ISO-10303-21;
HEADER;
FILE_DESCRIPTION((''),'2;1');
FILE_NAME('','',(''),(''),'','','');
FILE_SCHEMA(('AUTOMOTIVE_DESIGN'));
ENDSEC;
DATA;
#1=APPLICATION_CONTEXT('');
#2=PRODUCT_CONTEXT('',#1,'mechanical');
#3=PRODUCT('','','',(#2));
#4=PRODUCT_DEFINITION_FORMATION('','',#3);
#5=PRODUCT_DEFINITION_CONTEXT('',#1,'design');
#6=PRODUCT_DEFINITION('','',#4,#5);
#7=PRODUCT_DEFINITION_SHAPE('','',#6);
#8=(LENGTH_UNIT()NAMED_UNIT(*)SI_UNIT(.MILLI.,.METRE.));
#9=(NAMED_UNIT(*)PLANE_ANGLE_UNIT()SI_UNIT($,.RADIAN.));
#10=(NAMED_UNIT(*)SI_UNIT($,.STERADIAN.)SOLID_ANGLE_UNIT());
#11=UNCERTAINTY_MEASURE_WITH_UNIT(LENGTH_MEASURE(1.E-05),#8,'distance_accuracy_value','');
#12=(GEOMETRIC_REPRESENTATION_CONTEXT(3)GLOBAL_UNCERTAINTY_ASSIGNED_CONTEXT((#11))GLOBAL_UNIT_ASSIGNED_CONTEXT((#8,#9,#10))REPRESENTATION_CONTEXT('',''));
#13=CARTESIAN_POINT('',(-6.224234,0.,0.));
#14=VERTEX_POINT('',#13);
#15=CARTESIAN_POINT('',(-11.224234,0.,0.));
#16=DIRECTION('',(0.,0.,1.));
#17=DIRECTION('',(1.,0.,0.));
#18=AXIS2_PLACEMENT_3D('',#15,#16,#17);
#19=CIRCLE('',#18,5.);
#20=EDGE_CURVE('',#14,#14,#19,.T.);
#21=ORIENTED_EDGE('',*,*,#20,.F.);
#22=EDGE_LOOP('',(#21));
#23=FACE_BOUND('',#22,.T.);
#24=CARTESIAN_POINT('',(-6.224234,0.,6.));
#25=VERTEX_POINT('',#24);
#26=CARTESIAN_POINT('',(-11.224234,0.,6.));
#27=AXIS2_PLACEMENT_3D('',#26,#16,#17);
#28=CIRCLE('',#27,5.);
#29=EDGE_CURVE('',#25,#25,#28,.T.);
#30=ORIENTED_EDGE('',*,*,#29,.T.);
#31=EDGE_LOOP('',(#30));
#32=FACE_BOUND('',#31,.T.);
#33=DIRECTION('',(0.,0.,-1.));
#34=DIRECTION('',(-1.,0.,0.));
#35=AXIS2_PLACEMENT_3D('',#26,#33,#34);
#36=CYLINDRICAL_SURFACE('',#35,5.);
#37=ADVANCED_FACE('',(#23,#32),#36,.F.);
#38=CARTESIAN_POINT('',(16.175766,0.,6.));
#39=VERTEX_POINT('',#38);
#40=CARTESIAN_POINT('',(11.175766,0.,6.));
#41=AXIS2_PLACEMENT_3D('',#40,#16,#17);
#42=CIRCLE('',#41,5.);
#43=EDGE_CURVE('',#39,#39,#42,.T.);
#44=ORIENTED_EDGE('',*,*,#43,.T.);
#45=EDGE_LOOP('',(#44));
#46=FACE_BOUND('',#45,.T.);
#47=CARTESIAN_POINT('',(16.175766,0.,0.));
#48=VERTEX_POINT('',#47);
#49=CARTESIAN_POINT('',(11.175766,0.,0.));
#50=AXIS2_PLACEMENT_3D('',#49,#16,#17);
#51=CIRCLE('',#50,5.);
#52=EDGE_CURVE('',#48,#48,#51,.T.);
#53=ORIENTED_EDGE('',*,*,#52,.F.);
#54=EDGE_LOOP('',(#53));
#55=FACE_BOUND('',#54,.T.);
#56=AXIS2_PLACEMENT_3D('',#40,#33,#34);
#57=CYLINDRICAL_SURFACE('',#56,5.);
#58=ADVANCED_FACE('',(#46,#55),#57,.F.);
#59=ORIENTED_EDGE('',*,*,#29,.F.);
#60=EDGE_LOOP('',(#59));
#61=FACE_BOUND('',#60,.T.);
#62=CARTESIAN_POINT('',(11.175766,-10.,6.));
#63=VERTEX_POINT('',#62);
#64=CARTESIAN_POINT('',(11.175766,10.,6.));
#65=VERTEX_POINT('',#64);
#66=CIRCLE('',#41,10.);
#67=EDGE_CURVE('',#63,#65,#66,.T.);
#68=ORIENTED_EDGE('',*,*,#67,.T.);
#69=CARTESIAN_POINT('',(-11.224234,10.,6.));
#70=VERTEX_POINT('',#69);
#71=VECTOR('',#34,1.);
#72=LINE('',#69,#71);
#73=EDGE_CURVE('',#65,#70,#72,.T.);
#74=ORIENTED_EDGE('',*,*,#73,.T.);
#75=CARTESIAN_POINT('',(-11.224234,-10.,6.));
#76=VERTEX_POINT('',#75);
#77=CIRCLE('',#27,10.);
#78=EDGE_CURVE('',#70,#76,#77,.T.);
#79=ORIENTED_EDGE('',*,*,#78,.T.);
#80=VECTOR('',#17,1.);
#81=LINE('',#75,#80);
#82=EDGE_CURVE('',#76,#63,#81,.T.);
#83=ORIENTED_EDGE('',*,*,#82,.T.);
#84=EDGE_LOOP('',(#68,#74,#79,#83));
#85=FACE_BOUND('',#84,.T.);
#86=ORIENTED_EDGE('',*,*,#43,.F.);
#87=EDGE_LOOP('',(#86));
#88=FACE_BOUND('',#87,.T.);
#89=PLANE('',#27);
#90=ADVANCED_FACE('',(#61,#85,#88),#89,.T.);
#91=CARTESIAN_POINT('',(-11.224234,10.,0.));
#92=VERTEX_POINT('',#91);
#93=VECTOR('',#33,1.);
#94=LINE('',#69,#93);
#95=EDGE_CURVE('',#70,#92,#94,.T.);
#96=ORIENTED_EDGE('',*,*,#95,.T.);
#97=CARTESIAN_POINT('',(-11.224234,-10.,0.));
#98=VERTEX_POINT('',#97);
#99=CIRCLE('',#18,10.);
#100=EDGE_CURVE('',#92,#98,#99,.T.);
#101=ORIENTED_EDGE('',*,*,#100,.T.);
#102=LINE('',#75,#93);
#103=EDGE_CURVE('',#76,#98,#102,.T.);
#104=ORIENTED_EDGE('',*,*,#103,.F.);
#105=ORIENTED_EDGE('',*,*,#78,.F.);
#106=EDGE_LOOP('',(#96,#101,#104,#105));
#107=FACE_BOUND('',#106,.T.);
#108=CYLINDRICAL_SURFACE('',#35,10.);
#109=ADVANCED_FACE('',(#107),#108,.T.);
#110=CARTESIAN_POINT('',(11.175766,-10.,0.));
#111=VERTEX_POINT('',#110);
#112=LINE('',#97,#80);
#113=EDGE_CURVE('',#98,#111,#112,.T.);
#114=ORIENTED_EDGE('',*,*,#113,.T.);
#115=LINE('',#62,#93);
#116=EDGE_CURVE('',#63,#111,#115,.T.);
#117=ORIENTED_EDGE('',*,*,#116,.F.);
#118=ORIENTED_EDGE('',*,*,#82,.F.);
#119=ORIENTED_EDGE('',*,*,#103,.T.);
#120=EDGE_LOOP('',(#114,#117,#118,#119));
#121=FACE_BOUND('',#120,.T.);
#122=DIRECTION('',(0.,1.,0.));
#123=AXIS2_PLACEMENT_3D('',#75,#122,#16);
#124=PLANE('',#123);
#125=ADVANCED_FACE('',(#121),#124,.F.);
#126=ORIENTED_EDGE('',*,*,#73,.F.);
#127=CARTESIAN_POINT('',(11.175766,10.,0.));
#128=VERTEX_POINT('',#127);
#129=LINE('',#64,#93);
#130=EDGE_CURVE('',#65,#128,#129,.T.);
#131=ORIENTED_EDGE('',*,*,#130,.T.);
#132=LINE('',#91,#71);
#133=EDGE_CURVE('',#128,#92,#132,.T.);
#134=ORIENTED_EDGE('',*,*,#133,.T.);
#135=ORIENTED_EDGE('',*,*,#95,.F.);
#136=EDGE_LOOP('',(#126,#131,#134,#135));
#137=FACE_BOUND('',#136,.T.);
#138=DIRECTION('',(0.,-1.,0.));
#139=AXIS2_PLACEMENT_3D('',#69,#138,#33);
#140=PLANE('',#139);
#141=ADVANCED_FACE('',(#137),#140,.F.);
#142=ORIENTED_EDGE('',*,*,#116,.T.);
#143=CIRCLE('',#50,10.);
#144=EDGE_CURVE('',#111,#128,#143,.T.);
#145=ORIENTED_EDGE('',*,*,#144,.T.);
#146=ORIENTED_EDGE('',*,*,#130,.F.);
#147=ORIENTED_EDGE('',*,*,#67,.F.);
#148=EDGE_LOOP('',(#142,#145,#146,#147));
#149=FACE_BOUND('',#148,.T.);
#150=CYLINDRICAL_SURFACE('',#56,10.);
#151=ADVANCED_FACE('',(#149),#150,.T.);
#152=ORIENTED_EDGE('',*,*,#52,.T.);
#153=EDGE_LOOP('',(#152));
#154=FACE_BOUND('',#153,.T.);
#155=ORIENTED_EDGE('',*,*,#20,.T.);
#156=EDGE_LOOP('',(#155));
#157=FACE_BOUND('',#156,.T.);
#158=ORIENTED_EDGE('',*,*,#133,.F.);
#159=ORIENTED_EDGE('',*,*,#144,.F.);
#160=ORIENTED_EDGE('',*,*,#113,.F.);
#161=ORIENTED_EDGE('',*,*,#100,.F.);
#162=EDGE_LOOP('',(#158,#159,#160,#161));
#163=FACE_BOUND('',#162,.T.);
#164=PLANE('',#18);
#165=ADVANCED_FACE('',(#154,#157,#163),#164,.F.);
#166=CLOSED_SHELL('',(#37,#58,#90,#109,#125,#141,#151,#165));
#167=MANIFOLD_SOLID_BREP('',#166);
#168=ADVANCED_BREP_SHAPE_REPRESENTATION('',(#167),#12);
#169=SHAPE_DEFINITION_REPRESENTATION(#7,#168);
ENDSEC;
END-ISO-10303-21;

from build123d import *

# Parameters (mm, degrees)
CROQUIS1_R              = 5
SALIENTE_EXTRUIR1_DEPTH = 6


with BuildPart() as part:
    # Croquis1 → Saliente-Extruir1 (new body)
    with BuildSketch(Plane.XY):
        with BuildLine():
            Line((-11.224233903, 10), (11.175766097, 10))
            ThreePointArc((11.175766097, 10), (21.175766097, 0), (11.175766097, -10))
            Line((11.175766097, -10), (-11.224233903, -10))
            ThreePointArc((-11.224233903, -10), (-21.224233903, 0), (-11.224233903, 10))
        make_face()
        with Locations((-11.224233903, 0)):
            Circle(CROQUIS1_R, mode=Mode.SUBTRACT)
        with Locations((11.175766097, 0)):
            Circle(CROQUIS1_R, mode=Mode.SUBTRACT)
    extrude(amount=SALIENTE_EXTRUIR1_DEPTH)


solid = part.part
